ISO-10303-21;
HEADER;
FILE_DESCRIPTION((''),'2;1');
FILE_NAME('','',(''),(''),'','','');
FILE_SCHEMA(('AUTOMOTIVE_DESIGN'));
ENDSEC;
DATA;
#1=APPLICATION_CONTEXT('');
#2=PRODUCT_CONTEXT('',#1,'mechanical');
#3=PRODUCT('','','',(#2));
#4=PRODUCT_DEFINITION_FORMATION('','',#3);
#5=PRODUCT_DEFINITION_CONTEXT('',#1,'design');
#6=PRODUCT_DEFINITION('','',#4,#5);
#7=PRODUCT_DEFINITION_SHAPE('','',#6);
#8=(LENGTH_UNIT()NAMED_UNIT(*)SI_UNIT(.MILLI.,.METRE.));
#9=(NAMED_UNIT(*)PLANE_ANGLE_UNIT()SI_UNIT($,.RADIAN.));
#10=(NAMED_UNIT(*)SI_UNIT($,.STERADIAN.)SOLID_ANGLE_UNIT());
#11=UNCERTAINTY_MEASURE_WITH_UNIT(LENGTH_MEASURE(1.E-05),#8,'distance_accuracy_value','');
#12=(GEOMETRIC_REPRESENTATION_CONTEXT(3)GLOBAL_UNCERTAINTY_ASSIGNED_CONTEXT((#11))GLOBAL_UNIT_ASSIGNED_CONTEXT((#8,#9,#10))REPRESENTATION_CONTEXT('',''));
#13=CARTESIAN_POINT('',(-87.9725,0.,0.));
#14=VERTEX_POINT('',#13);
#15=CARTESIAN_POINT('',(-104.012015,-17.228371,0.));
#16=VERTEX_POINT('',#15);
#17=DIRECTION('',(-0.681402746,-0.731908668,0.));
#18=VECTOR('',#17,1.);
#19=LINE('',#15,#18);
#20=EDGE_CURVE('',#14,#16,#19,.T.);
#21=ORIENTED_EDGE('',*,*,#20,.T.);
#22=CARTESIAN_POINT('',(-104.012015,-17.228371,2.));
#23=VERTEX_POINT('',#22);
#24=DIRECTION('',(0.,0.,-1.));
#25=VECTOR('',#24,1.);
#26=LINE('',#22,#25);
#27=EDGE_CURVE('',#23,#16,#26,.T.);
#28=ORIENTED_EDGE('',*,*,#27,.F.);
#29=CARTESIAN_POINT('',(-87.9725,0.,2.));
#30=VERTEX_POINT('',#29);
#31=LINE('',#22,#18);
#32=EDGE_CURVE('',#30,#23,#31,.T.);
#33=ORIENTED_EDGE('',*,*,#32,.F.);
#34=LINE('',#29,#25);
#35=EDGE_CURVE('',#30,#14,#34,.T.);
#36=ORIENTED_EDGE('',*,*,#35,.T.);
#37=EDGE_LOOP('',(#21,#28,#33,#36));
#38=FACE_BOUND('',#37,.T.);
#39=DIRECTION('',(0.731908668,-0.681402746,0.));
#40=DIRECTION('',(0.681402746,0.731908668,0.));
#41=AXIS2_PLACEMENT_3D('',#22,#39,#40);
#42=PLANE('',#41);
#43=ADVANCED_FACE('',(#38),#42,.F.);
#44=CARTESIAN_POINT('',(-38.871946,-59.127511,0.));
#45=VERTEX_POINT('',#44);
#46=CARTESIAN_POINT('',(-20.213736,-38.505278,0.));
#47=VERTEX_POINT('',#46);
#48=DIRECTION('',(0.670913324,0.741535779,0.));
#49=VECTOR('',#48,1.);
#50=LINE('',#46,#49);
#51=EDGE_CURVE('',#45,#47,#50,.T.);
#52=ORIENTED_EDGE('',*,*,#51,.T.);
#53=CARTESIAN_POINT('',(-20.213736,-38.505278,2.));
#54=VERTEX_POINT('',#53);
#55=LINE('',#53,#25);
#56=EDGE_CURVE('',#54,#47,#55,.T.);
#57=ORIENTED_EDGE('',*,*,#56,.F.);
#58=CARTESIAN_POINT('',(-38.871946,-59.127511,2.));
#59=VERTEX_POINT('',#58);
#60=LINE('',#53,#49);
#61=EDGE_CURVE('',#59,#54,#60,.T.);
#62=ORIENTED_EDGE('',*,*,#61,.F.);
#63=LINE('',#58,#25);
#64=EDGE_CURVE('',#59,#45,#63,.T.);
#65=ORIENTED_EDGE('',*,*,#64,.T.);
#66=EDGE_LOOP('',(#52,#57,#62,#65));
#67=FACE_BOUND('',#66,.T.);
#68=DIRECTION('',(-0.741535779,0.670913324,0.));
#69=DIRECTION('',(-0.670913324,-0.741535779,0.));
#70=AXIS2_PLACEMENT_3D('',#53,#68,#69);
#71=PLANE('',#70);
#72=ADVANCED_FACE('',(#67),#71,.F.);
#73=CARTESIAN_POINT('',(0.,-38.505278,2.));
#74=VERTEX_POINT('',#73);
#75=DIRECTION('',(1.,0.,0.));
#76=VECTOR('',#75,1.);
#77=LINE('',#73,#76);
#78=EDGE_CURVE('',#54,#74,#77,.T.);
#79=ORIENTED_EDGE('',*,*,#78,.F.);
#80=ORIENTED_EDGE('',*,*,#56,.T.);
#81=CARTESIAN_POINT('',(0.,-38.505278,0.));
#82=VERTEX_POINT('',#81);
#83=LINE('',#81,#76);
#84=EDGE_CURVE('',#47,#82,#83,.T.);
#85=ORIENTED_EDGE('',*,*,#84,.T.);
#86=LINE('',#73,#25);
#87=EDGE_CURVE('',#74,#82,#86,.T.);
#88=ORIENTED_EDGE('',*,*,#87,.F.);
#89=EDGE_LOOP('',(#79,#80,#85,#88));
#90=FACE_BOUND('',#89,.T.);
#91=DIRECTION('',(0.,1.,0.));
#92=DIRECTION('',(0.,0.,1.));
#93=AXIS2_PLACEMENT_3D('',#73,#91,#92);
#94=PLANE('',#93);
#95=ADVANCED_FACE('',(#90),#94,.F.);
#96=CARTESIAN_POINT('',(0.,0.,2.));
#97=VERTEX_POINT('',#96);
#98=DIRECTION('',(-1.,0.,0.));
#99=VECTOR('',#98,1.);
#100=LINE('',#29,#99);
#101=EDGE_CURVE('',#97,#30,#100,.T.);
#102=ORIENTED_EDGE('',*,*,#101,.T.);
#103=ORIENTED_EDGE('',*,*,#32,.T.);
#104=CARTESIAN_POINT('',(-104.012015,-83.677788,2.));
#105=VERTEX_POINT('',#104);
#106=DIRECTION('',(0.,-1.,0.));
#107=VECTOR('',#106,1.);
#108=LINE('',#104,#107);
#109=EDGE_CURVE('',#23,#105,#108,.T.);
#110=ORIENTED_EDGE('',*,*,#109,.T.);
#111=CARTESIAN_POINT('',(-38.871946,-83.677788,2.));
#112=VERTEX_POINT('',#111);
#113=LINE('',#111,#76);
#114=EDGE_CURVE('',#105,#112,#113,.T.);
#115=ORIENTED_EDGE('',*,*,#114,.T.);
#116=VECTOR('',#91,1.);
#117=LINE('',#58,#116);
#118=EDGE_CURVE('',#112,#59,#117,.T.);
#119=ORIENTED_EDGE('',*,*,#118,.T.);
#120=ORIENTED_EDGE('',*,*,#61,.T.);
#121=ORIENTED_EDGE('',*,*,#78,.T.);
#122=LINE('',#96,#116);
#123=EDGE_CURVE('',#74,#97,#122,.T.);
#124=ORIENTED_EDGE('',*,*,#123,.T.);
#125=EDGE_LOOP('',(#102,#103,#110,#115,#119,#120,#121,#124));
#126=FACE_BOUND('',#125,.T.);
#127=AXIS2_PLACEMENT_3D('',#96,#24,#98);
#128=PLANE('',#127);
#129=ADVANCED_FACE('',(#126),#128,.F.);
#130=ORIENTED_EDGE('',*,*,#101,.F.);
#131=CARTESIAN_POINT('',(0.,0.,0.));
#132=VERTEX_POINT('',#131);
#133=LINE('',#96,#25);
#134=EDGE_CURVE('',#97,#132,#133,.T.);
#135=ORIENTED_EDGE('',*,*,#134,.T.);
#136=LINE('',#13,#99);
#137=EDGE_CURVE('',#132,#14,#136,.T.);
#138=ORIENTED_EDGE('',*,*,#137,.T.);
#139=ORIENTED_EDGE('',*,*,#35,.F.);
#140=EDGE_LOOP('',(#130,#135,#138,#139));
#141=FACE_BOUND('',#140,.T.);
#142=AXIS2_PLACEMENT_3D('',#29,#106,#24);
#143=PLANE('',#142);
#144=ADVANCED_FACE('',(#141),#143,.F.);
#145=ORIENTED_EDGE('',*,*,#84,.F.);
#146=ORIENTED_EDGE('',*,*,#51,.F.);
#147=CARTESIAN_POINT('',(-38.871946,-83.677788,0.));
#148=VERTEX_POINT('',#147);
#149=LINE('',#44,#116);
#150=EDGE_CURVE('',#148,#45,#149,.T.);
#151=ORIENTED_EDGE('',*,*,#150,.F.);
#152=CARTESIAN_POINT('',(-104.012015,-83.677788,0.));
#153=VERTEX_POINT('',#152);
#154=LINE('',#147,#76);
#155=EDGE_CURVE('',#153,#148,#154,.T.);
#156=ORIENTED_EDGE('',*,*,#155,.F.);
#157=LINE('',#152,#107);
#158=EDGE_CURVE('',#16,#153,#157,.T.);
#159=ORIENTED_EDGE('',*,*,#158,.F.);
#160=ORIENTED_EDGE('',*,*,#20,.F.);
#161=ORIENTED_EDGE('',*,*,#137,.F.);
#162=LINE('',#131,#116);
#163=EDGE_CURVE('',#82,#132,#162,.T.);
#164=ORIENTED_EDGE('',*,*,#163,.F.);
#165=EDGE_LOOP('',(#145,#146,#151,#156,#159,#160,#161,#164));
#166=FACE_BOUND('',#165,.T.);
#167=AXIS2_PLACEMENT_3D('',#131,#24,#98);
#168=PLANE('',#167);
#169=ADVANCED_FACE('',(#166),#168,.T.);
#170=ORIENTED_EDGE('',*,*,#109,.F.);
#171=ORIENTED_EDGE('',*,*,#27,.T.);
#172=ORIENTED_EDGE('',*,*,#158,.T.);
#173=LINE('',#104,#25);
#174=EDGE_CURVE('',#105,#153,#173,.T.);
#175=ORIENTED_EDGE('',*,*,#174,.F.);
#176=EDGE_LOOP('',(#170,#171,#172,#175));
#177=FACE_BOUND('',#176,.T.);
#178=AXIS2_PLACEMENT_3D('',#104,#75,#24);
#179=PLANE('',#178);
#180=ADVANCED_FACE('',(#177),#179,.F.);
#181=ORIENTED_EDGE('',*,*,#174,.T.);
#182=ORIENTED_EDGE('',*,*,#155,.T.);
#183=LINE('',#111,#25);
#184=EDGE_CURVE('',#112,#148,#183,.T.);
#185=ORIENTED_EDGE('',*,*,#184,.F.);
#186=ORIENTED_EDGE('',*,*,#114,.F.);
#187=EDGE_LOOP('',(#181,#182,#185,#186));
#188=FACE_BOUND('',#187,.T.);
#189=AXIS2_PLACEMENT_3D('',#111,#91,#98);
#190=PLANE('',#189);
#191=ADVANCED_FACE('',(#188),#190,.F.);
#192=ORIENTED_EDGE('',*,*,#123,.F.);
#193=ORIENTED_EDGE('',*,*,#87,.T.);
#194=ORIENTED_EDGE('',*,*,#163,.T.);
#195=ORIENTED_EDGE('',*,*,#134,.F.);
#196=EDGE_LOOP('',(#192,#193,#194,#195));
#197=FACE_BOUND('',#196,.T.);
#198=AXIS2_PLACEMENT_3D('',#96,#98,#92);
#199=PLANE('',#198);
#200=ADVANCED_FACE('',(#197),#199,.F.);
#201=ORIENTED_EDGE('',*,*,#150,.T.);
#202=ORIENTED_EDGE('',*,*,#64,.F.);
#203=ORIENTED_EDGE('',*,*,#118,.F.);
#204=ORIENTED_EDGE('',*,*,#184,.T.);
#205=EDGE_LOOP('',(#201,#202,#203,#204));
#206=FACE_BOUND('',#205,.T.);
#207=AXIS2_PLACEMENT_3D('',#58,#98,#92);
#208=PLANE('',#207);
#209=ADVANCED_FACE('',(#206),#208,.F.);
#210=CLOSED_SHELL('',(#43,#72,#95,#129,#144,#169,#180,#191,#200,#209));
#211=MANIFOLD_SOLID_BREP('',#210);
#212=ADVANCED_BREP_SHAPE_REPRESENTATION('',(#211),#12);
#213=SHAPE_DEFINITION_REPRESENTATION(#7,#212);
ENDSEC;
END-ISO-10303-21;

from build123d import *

# Parameters (mm, degrees)
SALIENTE_EXTRUIR1_DEPTH = 2


with BuildPart() as part:
    # Croquis1 → Saliente-Extruir1 (new body)
    with BuildSketch(Plane.XY):
        Polygon((-104.012014783, -17.228371386), (-87.972500451, 0), (0, 0), (0, -38.505278153), (-20.213735825, -38.505278153), (-38.871946374, -59.127510865), (-38.871946374, -83.677787904), (-104.012014783, -83.677787904), align=None)
    extrude(amount=SALIENTE_EXTRUIR1_DEPTH)


solid = part.part
